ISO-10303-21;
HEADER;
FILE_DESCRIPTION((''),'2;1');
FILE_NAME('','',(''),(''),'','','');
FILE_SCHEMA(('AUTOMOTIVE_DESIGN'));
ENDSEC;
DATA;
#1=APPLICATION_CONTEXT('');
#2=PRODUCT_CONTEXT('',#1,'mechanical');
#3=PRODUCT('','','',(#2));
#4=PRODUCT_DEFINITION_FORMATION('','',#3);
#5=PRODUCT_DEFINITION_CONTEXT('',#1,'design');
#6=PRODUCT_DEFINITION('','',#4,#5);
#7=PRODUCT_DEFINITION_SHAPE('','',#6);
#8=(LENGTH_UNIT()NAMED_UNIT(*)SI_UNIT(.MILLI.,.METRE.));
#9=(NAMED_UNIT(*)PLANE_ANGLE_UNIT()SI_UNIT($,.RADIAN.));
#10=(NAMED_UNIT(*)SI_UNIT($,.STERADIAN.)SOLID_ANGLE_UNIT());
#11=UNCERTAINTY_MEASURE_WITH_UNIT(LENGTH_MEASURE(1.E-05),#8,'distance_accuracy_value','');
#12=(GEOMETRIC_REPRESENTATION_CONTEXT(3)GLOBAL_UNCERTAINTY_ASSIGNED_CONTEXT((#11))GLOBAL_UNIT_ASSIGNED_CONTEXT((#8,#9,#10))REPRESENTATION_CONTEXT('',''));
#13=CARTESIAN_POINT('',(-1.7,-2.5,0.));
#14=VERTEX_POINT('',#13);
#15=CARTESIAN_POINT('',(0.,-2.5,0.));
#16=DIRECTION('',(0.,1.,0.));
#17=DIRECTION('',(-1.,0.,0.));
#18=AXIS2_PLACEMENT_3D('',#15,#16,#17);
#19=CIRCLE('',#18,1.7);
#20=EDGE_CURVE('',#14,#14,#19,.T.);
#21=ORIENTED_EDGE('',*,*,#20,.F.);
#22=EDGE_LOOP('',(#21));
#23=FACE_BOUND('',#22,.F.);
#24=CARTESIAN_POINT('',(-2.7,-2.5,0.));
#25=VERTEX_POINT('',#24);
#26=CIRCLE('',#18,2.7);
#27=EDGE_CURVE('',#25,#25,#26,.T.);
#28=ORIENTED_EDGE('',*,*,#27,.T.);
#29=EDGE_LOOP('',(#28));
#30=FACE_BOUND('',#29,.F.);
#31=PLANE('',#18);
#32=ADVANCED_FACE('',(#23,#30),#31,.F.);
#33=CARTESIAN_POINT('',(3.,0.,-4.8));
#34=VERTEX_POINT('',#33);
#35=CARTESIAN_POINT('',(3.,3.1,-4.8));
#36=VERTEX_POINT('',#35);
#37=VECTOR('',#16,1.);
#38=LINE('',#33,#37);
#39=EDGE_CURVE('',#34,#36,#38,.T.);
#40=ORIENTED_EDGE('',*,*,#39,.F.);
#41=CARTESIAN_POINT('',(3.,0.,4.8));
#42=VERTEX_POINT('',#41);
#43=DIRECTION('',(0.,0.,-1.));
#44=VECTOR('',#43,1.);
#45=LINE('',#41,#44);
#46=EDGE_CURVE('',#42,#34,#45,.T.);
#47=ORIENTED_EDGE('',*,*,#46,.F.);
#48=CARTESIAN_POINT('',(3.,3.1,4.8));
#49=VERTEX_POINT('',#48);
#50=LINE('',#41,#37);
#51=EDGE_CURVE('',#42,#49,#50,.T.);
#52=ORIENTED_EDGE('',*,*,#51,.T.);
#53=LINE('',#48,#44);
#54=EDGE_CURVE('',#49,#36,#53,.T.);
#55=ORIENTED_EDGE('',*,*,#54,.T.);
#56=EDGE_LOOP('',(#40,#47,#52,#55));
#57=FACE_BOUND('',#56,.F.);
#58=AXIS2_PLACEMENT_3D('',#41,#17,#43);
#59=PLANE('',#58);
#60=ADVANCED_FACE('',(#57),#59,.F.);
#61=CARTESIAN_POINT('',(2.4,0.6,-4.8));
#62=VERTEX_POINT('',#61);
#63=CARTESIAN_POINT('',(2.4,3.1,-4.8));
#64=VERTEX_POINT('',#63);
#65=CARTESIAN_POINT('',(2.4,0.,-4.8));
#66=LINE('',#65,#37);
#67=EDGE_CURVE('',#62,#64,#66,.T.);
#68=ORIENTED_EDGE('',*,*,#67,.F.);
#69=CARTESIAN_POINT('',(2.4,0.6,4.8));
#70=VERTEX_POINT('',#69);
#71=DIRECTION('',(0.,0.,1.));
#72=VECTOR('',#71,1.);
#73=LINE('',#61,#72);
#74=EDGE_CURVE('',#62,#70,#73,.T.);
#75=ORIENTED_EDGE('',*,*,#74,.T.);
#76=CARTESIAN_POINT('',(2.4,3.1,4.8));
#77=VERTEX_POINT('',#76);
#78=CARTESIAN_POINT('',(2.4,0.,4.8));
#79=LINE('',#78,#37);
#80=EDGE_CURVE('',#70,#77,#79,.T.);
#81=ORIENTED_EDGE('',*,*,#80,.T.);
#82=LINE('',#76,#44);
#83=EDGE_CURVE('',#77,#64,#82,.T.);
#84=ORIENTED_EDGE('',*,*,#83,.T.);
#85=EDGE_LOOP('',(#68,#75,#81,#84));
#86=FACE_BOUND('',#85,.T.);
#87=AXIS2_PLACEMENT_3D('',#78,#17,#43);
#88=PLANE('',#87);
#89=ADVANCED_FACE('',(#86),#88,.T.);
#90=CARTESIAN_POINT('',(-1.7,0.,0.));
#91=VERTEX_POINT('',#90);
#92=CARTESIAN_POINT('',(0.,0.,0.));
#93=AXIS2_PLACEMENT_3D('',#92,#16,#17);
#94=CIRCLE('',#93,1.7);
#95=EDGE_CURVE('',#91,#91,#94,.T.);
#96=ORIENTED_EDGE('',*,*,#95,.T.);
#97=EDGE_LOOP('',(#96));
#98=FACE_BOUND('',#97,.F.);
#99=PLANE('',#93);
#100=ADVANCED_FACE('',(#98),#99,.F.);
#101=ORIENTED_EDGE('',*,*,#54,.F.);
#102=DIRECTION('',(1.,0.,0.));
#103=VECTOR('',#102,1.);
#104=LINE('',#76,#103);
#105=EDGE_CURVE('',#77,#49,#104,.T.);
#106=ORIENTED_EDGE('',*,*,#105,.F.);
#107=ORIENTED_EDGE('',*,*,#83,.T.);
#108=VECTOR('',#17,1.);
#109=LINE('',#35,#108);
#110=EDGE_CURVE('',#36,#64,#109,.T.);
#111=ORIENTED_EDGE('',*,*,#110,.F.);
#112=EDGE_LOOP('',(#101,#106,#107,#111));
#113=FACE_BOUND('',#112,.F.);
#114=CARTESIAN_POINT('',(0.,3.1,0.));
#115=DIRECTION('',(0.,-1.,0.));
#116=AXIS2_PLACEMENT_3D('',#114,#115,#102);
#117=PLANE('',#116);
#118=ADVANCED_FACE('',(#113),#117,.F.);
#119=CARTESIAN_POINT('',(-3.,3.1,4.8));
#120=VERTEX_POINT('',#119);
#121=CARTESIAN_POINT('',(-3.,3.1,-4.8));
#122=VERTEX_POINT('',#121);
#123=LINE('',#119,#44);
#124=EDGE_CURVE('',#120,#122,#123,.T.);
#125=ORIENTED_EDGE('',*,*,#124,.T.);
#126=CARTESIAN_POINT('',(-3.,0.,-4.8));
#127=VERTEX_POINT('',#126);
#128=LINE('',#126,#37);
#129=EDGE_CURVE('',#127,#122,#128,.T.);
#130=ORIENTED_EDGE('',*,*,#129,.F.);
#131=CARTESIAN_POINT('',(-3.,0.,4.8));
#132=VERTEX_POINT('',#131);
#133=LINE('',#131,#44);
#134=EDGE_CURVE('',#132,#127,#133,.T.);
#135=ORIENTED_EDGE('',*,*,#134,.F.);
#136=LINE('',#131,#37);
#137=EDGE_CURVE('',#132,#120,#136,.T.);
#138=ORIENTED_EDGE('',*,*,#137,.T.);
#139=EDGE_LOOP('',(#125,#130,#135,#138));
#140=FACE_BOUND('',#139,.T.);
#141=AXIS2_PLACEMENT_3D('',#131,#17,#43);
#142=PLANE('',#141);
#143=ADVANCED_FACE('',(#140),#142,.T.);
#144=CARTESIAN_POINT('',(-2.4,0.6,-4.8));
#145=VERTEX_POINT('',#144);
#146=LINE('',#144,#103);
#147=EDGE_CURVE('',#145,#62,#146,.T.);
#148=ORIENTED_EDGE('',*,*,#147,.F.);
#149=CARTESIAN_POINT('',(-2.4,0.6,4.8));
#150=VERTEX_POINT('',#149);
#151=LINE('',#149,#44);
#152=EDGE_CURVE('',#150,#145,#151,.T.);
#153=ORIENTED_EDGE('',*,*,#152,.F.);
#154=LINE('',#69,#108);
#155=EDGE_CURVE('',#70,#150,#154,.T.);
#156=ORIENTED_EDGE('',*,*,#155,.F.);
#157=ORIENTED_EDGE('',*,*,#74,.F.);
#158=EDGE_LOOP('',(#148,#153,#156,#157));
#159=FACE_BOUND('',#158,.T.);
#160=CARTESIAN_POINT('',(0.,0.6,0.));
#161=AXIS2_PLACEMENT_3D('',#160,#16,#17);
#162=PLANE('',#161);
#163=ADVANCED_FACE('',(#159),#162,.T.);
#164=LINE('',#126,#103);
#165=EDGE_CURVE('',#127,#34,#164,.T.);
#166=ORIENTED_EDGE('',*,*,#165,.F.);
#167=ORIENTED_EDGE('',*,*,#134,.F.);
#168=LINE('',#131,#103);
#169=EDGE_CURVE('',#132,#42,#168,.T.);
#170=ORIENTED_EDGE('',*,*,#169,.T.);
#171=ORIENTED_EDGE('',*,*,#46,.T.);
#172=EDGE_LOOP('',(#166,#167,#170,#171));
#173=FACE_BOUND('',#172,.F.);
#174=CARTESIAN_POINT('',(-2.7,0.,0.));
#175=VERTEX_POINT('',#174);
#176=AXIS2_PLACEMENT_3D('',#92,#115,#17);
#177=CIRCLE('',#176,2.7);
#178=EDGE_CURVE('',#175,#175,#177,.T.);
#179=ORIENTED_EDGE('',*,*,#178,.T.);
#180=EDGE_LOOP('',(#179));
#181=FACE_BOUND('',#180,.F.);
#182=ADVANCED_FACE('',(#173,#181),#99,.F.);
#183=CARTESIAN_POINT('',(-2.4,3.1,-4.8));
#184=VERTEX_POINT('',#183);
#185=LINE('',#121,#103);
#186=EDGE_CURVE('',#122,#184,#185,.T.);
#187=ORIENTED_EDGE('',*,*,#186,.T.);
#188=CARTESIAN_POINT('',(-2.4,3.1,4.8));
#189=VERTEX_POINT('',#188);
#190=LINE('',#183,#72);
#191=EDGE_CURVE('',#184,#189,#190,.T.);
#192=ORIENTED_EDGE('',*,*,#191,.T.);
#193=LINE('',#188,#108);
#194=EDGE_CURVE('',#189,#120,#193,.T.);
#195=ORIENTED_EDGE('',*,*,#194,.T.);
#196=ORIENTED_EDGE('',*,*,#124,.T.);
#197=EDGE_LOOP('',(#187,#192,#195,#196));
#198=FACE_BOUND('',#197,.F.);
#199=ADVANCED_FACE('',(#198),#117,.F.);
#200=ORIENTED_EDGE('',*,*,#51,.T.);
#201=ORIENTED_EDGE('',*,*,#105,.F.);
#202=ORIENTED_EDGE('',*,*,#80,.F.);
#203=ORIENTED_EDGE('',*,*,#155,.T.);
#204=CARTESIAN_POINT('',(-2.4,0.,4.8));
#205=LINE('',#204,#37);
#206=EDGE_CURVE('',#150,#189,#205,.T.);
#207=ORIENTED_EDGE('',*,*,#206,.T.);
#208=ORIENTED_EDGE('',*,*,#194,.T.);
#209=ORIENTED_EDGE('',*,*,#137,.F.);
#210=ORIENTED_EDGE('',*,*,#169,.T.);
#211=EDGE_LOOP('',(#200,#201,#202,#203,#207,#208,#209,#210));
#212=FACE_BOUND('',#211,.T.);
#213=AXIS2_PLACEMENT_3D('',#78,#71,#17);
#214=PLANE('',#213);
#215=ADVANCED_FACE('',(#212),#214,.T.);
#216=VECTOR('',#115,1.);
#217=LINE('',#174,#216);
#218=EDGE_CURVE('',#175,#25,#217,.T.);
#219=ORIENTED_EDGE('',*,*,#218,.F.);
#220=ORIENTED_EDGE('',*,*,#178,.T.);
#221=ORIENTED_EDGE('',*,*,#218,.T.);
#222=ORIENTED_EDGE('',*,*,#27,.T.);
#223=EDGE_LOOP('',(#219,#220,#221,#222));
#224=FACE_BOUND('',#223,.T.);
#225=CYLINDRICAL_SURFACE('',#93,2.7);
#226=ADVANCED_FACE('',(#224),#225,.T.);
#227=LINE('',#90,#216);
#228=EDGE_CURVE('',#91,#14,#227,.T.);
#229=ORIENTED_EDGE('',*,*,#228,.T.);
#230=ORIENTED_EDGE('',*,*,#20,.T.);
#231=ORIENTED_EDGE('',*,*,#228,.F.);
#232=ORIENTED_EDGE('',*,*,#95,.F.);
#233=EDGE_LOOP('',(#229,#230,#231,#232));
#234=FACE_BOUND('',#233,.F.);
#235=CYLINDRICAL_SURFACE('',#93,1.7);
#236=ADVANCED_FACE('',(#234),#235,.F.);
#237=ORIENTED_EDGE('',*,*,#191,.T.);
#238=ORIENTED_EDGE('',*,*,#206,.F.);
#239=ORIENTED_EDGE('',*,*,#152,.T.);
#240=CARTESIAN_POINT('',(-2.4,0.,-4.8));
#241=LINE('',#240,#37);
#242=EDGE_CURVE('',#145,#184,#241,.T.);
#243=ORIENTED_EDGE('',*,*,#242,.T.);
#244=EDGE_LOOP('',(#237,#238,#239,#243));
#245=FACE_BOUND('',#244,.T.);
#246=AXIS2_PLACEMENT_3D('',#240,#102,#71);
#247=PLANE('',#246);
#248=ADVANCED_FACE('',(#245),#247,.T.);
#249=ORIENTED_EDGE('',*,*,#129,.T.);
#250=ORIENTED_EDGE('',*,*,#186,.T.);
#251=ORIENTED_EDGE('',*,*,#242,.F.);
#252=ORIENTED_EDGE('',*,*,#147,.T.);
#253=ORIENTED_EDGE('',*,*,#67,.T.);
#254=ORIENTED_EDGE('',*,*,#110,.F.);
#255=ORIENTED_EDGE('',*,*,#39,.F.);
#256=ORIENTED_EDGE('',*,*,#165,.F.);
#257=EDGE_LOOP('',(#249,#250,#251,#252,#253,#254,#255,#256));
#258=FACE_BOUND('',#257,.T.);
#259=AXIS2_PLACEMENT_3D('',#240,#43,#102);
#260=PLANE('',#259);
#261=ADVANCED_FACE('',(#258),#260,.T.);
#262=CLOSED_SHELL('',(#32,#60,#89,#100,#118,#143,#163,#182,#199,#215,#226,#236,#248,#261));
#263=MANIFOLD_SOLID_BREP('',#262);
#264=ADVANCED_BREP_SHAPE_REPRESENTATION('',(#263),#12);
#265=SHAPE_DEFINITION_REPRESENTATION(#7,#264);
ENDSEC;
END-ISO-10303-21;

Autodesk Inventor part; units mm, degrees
ref_plane "YZ Plane" through (0, 0, 0) normal (1, 0, 0) x (0, 1, 0)
ref_plane "XZ Plane" through (0, 0, 0) normal (0, 1, 0) x (-1, 0, 0)
ref_plane "XY Plane" through (0, 0, 0) normal (0, 0, 1) x (1, 0, 0)
sketch "스케치1" plane through (0, 0, 0) normal (0, 1, 0) x (-1, 0, 0)
  line L0 (-2.4, 4.8) -> (2.4, 4.8)
  line L1 (2.4, 4.8) -> (2.4, -4.8)
  line L2 (2.4, -4.8) -> (-2.4, -4.8)
  line L3 (-2.4, -4.8) -> (-2.4, 4.8)
  line L4 (-2.4, 4.8) -> (2.4, -4.8) construction
  line L5 (2.4, 4.8) -> (-2.4, -4.8) construction
  circle A0 centre (0, 0) radius 2.7
  circle A1 centre (0, 0) radius 1.7
  dimension "d0" = 4.8
  dimension "d1" = 9.6
  dimension "d17" = 5.4
  dimension "d18" = 3.4
extrude "돌출1" add sketch "스케치1" along normal blind 0.6 contours L0 L1 A0 L3 | A0 L1 L3 | A0 L1 L2 L3 | A1
sketch "스케치2" plane through (0, 0, 0) normal (0, -1, 0) x (1, 0, 0)
  line L0 (2.4, -4.8) -> (-2.4, -4.8) projected
  line L1 (2.4, 4.8) -> (2.4, -4.8) projected
  line L2 (-2.4, 4.8) -> (2.4, 4.8) projected
  line L3 (-2.4, -4.8) -> (-2.4, 4.8) projected
  line L4 (2.4, 4.8) -> (3, 4.8)
  line L5 (3, 4.8) -> (3, -4.8)
  line L6 (3, -4.8) -> (2.4, -4.8)
  line L7 (2.4, -4.8) -> (2.4, 4.8)
  line L8 (-2.4, -4.8) -> (-2.4, 4.8) projected
  line L9 (-2.4, 4.8) -> (-3, 4.8)
  line L10 (-3, 4.8) -> (-3, -4.8)
  line L11 (-3, -4.8) -> (-2.4, -4.8)
  line L12 (-2.4, -4.8) -> (-2.4, 4.8)
  point P0 (0, 0)
  dimension "d4" = 0.6
  dimension "d5" = 0.6
extrude "돌출2" add sketch "스케치2" against normal blind 3.1 contours L1 L4 L5 L6 | L11 L10 L9 L3
extrude "돌출5" add sketch "스케치1" against normal blind 2.5 contours A0 L1 L3 | L3 A0 | A0 L1
properties part number "endcap_4mm_2ea_typeB_ver2_onyx_addon"
